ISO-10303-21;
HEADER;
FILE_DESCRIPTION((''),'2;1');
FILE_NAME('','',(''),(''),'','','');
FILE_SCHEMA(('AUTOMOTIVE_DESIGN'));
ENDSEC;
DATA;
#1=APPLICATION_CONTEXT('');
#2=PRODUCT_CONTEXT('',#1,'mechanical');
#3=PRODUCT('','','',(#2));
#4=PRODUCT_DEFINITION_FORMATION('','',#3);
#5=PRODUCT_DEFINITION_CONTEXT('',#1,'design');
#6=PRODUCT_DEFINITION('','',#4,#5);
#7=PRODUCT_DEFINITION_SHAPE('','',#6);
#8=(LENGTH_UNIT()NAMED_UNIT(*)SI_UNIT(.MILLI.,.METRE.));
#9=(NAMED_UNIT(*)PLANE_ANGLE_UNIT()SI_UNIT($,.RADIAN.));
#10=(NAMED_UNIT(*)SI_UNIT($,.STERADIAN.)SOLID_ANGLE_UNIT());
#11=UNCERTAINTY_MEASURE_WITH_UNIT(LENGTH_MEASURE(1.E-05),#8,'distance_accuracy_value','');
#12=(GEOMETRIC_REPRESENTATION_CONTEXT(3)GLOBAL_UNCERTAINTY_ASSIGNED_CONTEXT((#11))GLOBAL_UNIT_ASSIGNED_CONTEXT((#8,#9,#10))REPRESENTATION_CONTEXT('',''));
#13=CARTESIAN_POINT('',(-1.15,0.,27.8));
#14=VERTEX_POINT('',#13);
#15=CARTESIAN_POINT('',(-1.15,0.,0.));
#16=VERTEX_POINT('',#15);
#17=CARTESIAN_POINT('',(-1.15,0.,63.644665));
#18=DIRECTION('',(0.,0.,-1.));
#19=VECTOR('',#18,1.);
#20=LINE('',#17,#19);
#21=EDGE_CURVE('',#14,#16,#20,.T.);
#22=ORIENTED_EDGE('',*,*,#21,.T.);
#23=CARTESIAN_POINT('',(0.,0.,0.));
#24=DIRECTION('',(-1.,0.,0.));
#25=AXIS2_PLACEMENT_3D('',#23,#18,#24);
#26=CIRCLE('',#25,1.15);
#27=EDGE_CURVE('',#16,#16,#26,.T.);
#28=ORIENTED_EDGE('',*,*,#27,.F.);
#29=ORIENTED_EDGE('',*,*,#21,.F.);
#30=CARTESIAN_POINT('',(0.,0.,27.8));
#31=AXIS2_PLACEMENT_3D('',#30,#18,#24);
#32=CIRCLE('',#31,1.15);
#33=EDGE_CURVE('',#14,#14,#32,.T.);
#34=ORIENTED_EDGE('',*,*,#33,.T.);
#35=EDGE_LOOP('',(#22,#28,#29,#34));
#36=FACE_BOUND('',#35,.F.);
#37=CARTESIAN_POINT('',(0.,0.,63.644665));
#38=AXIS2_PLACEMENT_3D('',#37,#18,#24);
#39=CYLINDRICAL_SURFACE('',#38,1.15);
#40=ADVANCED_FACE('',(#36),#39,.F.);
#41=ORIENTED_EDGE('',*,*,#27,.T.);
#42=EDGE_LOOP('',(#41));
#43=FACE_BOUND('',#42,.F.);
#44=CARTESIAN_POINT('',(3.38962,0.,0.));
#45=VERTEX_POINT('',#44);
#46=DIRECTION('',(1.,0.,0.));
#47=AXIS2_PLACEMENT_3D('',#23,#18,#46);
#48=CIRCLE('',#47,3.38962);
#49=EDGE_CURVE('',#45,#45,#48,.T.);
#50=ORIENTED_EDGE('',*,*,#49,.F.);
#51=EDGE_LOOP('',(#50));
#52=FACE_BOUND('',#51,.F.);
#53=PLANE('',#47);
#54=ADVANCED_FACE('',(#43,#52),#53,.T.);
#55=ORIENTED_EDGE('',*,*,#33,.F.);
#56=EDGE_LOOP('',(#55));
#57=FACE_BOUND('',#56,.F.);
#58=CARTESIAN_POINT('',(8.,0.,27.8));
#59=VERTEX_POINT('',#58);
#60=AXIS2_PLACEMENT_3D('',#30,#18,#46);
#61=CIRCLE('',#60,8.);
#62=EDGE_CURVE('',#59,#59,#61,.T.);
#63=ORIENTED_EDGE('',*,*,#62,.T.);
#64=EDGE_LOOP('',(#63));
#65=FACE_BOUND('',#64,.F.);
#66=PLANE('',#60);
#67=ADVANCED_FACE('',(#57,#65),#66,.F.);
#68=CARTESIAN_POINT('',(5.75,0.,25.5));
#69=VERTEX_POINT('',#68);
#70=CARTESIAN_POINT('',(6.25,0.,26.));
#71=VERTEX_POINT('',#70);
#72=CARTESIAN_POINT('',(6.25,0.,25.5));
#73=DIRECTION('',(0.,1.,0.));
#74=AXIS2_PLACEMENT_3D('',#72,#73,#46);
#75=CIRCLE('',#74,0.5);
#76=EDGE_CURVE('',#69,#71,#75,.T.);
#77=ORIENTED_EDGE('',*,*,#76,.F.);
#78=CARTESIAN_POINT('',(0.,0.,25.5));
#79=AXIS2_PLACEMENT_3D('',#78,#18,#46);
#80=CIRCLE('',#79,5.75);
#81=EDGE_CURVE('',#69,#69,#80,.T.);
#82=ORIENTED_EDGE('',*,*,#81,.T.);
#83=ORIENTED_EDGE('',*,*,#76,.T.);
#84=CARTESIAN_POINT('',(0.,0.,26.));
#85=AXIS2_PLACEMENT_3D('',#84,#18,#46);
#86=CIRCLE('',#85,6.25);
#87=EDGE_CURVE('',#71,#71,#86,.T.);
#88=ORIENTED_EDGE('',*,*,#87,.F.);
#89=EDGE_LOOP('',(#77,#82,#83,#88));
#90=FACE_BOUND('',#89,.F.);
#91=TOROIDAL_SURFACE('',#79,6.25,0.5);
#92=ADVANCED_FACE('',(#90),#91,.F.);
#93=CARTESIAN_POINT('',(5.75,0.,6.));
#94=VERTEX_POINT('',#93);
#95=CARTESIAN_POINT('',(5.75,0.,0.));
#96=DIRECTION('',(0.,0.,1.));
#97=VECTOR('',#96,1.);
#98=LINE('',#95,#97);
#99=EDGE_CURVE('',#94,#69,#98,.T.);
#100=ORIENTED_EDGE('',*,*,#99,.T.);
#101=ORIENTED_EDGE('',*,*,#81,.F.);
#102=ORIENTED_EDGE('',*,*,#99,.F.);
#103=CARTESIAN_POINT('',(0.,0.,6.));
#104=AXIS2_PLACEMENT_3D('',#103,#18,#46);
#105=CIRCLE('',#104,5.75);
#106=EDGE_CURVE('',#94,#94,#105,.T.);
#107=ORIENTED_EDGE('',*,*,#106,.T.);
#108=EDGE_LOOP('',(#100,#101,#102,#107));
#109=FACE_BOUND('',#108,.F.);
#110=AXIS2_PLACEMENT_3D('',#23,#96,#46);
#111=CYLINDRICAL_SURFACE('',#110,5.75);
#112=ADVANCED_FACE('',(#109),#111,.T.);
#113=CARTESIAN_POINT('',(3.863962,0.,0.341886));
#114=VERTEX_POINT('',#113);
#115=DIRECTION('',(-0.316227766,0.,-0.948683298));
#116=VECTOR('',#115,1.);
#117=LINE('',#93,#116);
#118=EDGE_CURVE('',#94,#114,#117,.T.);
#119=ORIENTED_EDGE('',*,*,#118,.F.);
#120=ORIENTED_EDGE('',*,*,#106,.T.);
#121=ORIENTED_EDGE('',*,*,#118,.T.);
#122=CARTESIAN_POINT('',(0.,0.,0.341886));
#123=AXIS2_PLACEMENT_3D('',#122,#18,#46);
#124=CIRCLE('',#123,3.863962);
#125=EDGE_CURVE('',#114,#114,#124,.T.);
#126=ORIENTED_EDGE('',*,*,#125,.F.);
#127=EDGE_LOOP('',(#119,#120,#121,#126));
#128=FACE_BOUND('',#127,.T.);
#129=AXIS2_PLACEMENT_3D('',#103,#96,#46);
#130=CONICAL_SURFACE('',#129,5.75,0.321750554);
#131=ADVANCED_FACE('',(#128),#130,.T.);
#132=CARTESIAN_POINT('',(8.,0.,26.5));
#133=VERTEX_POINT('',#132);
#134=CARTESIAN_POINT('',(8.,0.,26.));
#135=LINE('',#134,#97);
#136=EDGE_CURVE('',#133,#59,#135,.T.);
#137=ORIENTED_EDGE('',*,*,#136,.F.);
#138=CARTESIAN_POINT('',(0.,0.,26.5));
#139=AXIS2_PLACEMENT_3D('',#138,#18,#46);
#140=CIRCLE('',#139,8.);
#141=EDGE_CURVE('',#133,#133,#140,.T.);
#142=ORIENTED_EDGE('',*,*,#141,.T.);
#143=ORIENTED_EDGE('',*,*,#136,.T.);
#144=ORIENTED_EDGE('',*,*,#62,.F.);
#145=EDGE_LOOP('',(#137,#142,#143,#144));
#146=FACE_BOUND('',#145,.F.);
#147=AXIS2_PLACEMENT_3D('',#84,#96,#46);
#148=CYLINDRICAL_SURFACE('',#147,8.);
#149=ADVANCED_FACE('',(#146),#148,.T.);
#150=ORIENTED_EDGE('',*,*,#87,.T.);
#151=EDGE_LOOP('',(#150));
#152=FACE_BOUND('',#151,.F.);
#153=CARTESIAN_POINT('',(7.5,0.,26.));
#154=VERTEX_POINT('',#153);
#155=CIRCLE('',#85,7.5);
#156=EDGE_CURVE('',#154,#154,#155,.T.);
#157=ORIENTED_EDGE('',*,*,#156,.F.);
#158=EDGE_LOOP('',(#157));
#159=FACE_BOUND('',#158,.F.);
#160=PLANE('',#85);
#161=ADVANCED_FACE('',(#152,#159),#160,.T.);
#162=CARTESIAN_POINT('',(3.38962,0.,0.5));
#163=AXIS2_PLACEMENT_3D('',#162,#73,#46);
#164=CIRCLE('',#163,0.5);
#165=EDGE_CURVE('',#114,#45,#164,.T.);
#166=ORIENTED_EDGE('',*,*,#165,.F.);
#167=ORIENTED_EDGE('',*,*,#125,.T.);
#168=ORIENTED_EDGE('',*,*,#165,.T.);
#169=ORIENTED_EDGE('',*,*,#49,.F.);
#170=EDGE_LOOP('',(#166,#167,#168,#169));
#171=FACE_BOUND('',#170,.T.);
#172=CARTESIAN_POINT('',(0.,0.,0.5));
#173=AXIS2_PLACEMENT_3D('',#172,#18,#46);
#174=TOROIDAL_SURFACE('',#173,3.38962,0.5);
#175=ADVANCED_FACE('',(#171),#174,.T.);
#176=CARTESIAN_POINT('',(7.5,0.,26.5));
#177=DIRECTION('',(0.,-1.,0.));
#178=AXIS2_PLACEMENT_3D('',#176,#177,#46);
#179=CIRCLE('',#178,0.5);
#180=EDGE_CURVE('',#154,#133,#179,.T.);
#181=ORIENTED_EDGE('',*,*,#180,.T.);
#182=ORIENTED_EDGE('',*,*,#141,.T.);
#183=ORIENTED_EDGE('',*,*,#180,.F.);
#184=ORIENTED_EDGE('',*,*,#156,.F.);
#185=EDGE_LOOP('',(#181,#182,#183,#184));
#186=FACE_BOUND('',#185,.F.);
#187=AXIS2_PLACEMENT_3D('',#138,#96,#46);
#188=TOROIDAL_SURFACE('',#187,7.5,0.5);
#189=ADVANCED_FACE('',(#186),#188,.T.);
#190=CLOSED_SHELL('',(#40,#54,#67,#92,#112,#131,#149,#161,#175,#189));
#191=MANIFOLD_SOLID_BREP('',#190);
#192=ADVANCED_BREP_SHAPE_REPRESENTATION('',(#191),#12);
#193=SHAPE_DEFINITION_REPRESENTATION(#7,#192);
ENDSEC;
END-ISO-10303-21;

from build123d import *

# Parameters (mm, degrees)
F2_R     = 0.5
F3_SIZE2 = 2
F3_SIZE  = 6
F4_R     = 0.5
F6_D     = 2.3
F7_R     = 0.5


with BuildPart() as f1:
    # F0 (on Front) → F1 (revolve)
    with BuildSketch(Plane.XZ):
        Polygon((8, 27.8), (0, 27.8), (0, 0), (5.75, 0), (5.75, 26), (8, 26), align=None)
    revolve(axis=Axis((0, 0, 13.9), (0, 0, -1)))

    # F2
    f2_edges = [f1.edges().sort_by_distance(p)[0] for p in [
        (-5.75, 0, 26),
    ]]
    fillet(f2_edges, radius=F2_R)

    # F3
    f3_edges = [f1.edges().sort_by_distance(p)[0] for p in [
        (-5.75, 0, 0),
    ]]
    chamfer(f3_edges, length=F3_SIZE, length2=F3_SIZE2)

    # F4
    f4_edges = [f1.edges().sort_by_distance(p)[0] for p in [
        (-3.75, 0, 0),
    ]]
    fillet(f4_edges, radius=F4_R)

    # F6 (through all)
    with Locations(Plane.XY.offset(27.8)):
        with Locations((0, 0)):
            Hole(F6_D / 2)

    # F7
    f7_edges = [f1.edges().sort_by_distance(p)[0] for p in [
        (-8, 0, 26),
    ]]
    fillet(f7_edges, radius=F7_R)


solid = f1.part
